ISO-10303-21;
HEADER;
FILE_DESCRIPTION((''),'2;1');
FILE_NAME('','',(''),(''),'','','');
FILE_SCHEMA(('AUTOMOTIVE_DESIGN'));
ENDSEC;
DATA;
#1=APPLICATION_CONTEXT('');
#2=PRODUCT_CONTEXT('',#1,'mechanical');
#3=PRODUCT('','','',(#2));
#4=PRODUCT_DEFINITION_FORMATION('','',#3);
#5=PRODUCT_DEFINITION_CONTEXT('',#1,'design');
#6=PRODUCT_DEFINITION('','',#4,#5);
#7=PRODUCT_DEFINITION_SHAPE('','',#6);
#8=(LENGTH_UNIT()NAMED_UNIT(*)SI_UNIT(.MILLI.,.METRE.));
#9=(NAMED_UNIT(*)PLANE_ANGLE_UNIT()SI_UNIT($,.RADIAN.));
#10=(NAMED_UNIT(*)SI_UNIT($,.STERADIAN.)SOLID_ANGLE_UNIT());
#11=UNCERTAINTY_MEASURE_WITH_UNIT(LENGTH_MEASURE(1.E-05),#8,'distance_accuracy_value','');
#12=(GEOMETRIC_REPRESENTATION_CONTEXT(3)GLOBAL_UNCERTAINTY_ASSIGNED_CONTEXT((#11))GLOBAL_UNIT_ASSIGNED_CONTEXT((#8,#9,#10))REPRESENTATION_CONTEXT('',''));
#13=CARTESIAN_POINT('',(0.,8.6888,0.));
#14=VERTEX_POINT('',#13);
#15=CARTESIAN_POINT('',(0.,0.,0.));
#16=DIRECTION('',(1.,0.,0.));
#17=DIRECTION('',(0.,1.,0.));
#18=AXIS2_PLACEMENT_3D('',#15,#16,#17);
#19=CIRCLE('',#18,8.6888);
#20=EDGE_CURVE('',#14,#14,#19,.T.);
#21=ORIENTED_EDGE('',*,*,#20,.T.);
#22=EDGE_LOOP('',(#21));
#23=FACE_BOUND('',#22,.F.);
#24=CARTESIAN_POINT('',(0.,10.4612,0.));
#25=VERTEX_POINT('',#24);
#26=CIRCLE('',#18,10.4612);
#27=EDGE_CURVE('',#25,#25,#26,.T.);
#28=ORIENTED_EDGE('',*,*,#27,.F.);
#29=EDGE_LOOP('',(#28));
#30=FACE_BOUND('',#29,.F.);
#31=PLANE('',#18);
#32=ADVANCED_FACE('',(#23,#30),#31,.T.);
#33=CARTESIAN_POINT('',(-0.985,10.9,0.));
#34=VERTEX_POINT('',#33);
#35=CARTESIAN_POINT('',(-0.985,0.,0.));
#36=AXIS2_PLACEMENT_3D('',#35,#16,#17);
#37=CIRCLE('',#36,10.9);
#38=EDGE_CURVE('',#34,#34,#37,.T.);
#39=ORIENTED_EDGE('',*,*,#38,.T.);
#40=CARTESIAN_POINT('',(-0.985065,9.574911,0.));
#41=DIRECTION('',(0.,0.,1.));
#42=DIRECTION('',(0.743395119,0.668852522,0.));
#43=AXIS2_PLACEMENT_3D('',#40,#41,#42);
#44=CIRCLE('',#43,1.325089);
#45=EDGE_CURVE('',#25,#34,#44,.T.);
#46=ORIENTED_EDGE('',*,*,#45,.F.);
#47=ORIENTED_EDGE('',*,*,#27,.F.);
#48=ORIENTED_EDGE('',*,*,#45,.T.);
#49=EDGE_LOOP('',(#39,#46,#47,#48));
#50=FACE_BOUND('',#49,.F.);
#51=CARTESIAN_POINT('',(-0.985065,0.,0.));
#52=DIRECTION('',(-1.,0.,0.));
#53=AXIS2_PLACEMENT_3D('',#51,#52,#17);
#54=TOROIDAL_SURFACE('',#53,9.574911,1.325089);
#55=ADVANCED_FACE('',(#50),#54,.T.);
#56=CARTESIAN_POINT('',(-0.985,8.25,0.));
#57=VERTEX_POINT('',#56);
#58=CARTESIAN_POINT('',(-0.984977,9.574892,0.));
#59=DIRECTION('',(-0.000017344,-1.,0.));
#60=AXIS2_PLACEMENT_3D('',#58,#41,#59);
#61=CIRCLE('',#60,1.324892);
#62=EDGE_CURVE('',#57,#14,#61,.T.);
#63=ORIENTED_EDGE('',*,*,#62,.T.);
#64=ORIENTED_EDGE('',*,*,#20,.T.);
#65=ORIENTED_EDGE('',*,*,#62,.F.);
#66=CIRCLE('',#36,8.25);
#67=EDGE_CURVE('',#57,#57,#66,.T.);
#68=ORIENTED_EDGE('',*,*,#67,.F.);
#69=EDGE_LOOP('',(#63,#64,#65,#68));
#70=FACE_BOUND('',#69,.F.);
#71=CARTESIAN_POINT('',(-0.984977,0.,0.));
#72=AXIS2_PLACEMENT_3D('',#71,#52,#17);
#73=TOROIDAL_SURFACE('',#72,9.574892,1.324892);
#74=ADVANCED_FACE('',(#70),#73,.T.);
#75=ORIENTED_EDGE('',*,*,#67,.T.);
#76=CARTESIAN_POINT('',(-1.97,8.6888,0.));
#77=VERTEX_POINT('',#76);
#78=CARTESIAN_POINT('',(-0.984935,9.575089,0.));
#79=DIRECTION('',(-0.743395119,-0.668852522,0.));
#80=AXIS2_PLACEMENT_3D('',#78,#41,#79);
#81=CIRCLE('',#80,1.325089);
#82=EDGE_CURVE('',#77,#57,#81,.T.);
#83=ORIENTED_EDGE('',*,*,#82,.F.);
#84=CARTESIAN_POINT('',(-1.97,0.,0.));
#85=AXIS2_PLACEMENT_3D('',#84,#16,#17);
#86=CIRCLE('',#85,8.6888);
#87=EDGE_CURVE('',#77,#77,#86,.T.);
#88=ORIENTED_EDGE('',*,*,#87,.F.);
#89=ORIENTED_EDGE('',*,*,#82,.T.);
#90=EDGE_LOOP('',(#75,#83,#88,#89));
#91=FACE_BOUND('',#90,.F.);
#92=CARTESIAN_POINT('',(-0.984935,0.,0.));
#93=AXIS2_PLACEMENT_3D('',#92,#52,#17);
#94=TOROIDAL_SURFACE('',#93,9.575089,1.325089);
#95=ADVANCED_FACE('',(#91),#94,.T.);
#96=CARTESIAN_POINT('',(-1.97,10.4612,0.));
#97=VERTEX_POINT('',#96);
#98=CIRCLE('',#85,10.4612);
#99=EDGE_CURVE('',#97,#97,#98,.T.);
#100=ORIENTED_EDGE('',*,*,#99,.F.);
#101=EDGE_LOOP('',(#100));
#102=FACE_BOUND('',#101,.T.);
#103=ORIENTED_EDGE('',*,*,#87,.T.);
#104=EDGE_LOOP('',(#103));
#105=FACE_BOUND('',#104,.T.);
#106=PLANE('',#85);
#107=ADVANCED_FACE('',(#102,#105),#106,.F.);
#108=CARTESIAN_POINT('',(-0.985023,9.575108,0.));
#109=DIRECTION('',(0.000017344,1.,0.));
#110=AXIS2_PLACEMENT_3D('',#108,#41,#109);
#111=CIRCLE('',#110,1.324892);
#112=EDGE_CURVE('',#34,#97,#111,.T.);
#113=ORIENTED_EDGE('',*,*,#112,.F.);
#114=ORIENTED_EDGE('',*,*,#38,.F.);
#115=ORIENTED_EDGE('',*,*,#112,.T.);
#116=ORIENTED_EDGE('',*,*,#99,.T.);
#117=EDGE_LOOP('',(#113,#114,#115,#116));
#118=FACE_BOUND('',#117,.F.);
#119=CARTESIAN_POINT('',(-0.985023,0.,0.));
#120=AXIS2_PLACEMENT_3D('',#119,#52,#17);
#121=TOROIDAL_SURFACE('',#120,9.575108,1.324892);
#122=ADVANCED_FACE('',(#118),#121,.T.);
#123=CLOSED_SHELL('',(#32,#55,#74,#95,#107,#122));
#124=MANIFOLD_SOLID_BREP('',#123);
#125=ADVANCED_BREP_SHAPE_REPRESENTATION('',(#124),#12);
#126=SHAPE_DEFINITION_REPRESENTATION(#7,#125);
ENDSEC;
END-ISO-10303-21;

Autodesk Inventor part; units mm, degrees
ref_plane "YZ Plane" through (0, 0, 0) normal (1, 0, 0) x (0, 1, 0)
ref_plane "XZ Plane" through (0, 0, 0) normal (0, 1, 0) x (-1, 0, 0)
ref_plane "XY Plane" through (0, 0, 0) normal (0, 0, 1) x (1, 0, 0)
sketch "Sketch1" plane through (0, 0, 0) normal (0, 0, 1) x (1, 0, 0)
  arc A0 (-0.985, 8.25) -> (0, 8.6888) centre (-0.985, 9.575) ccw
  line L0 (0, 9.575) -> (-0.985, 9.575)
  line L1 (-0.985, 9.575) -> (-0.985, 8.25)
  line L2 (0, 8.6888) -> (0, 9.575)
  arc A1 (0, 10.4612) -> (-0.985, 10.9) centre (-0.985, 9.575) ccw
  line L3 (-0.985, 9.575) -> (-0.985, 10.9)
  line L4 (0, 10.4612) -> (0, 9.575)
  arc A2 (-1.97, 8.6888) -> (-0.985, 8.25) centre (-0.985, 9.575) ccw
  line L5 (-1.97, 8.6888) -> (-1.97, 9.575)
  arc A3 (-0.985, 10.9) -> (-1.97, 10.4612) centre (-0.985, 9.575) ccw
  line L6 (-0.985, 9.575) -> (-0.985, 10.9)
  line L7 (-1.97, 10.4612) -> (-1.97, 9.575)
  line L8 (0, 17.1057) -> (0, -2.8509) projected
  line L9 (-2, 0) -> (1, 0)
  line L10 (-2.62, 0) -> (1.6033, 0) projected
  dimension "d0" = 1.325
  dimension "d1" = 0.985
  dimension "d2" = 21.8
revolve "Body" add sketch "Sketch1" angle 360 about axis through (-2, 0, 0) along (1, 0, 0)
equation "\"d0\" = 0.5 * QDM"
equation "\"d1\" = 0.5 * NTOR"
equation "\"d2\" = NDO1"
equation "\"QDM\" = 2.65"
equation "\"NTOR\" = 1.97"
equation "\"NDO1\" = 21.8"
equation "\"R2\" = 0.2"
equation "\"SD1\" = 17"
equation "\"R1\" = 0.3"
equation "\"NB1\" = 3.8"
properties part number "ISO 3601-1 - B 0170 G" material "Rubber"
